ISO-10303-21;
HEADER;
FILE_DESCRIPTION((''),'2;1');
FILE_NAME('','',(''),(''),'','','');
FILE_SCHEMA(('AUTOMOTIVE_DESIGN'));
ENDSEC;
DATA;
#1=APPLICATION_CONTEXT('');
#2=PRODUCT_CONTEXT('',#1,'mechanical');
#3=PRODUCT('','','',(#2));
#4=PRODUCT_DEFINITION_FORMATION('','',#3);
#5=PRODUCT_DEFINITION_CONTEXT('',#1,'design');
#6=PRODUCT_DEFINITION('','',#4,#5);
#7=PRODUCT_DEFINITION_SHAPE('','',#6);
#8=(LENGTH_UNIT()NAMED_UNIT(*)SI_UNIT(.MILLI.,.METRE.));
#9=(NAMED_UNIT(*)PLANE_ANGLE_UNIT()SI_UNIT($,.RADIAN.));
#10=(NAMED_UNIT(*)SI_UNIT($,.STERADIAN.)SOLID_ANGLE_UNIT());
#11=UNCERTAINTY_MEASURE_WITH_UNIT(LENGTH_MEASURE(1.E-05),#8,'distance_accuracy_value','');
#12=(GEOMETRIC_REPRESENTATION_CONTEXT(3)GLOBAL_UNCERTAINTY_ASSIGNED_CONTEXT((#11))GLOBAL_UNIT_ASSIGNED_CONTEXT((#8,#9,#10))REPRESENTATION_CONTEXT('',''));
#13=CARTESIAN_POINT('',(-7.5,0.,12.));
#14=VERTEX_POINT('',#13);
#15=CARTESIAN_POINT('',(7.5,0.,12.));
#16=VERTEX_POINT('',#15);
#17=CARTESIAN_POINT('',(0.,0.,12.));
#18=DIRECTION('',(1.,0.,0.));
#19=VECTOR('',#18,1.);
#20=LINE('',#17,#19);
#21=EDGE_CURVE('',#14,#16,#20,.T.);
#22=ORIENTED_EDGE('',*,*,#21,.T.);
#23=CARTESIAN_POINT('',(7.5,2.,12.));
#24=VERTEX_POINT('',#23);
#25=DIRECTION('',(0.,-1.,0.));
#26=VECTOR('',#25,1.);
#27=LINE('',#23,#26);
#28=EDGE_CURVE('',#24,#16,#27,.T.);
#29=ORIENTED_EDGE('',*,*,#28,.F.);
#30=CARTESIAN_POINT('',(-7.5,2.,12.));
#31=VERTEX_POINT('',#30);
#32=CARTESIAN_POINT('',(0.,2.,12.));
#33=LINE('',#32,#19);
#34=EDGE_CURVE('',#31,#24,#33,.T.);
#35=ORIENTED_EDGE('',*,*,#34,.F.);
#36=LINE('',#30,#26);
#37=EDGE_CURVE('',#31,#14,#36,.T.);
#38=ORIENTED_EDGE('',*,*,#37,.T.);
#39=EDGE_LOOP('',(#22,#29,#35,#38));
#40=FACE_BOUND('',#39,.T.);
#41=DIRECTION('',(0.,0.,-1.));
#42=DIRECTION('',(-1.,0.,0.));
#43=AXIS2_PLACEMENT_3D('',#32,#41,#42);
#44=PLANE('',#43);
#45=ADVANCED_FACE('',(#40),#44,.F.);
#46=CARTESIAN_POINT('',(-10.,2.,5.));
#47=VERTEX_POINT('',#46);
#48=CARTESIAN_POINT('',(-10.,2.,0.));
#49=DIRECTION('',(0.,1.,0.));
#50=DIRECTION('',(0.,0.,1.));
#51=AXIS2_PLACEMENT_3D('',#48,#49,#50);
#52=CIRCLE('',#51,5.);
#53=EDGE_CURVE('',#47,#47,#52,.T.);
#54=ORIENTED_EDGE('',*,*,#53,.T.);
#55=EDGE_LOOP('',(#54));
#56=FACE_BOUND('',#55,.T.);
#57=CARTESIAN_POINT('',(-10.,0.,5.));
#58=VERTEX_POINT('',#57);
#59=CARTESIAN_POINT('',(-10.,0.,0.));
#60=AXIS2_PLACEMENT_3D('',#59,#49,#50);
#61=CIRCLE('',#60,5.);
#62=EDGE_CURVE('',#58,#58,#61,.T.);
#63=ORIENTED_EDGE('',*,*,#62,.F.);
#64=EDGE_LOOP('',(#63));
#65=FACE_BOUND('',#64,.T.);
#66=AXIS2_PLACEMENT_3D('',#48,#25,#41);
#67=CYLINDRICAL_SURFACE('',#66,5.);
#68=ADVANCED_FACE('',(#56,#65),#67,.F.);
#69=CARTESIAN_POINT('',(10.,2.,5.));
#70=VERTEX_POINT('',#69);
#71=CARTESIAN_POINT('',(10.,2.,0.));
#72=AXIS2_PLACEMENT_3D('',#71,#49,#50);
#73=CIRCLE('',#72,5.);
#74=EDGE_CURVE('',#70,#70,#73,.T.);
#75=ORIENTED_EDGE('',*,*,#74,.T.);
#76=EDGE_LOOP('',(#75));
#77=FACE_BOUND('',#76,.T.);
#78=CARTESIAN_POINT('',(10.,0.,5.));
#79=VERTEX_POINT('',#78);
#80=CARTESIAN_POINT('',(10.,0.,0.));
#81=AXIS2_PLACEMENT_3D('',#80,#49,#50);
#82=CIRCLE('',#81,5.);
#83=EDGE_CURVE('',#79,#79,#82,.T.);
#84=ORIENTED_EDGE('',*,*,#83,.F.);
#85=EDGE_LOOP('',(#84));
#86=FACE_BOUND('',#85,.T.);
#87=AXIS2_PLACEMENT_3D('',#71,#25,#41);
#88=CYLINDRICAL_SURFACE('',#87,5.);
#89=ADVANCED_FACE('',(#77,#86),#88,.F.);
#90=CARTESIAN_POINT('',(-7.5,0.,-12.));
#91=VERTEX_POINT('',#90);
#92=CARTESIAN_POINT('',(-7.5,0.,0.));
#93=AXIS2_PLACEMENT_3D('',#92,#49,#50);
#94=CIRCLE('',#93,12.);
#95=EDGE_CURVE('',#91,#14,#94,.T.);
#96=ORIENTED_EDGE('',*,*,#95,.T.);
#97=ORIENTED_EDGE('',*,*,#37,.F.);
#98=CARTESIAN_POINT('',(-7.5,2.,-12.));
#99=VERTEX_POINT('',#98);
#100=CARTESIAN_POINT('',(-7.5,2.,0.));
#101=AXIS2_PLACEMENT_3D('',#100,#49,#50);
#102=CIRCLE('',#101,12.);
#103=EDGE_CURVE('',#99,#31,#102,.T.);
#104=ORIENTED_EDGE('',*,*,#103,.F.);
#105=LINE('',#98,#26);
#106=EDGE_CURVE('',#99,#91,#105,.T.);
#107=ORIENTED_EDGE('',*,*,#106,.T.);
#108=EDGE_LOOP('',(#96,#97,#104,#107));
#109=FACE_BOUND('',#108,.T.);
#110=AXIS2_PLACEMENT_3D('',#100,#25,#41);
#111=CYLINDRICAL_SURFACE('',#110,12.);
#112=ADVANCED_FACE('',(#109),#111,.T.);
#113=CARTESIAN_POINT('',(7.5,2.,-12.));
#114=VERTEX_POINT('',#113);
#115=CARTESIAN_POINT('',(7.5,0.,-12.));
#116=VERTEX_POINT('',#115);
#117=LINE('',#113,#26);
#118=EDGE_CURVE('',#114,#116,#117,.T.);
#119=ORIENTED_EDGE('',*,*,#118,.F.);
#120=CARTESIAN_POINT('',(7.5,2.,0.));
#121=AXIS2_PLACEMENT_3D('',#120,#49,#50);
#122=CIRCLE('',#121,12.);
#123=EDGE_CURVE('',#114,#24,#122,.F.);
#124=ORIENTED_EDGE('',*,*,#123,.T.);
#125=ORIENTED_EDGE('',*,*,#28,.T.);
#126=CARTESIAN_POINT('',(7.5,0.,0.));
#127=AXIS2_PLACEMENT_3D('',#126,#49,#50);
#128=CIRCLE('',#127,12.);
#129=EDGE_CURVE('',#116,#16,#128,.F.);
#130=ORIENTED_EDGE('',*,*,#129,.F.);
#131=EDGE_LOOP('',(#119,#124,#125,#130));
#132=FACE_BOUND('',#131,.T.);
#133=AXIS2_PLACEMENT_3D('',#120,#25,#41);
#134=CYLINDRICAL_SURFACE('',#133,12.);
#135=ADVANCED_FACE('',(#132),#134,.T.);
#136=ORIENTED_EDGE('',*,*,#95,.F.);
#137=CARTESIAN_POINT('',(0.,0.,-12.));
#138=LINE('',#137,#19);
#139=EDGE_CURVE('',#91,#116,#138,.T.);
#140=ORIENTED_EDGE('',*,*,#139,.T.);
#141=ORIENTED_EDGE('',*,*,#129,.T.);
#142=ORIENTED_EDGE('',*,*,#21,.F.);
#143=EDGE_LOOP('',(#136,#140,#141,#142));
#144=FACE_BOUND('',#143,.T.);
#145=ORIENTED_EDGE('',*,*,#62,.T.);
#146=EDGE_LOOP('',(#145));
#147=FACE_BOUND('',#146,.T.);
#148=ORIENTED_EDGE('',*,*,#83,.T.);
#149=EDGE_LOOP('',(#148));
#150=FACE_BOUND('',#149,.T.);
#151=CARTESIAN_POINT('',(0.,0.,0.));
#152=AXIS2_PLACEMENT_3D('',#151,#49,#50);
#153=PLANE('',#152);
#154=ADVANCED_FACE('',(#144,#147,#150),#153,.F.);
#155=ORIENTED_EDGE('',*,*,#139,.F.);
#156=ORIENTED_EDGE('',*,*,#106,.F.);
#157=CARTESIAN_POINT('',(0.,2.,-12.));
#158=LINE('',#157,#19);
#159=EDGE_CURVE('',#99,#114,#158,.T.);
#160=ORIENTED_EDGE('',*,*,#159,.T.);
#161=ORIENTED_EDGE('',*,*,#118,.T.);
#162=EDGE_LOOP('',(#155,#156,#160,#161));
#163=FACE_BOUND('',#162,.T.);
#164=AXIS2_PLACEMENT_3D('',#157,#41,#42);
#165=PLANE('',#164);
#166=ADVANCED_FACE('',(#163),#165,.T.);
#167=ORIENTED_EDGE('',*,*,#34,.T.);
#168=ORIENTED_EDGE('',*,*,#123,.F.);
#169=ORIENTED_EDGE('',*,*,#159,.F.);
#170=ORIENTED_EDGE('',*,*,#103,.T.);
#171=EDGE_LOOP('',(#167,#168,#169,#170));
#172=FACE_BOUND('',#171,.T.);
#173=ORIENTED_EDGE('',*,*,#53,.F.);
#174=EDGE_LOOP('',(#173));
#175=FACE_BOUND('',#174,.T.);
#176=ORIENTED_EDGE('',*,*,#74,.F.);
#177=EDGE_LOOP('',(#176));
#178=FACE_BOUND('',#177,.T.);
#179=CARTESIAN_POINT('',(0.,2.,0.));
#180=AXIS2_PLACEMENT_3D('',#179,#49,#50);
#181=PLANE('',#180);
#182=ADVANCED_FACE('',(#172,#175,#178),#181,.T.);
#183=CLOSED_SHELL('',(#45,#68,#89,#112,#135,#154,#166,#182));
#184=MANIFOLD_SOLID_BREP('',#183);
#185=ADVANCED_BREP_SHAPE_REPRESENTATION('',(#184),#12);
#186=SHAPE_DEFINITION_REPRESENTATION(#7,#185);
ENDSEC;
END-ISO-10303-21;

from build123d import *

# Parameters (mm, degrees)
SKETCH1_R           = 5
BOSS_EXTRUDE1_DEPTH = 2


with BuildPart() as part:
    # Sketch1 → Boss-Extrude1 (new body)
    with BuildSketch(Plane(origin=(0, 0, 0), x_dir=(1, 0, 0), z_dir=(0, 1, 0))):
        with BuildLine():
            Line((-7.5, -12), (7.5, -12))
            ThreePointArc((7.5, -12), (19.5, 0), (7.5, 12))
            Line((7.5, 12), (-7.5, 12))
            ThreePointArc((-7.5, 12), (-19.5, 0), (-7.5, -12))
        make_face()
        with Locations(Location((10, 0, 0), (0, 0, 270))):
            Circle(SKETCH1_R, mode=Mode.SUBTRACT)
        with Locations(Location((-10, 0, 0), (0, 0, 270))):
            Circle(SKETCH1_R, mode=Mode.SUBTRACT)
    extrude(amount=BOSS_EXTRUDE1_DEPTH)


solid = part.part
